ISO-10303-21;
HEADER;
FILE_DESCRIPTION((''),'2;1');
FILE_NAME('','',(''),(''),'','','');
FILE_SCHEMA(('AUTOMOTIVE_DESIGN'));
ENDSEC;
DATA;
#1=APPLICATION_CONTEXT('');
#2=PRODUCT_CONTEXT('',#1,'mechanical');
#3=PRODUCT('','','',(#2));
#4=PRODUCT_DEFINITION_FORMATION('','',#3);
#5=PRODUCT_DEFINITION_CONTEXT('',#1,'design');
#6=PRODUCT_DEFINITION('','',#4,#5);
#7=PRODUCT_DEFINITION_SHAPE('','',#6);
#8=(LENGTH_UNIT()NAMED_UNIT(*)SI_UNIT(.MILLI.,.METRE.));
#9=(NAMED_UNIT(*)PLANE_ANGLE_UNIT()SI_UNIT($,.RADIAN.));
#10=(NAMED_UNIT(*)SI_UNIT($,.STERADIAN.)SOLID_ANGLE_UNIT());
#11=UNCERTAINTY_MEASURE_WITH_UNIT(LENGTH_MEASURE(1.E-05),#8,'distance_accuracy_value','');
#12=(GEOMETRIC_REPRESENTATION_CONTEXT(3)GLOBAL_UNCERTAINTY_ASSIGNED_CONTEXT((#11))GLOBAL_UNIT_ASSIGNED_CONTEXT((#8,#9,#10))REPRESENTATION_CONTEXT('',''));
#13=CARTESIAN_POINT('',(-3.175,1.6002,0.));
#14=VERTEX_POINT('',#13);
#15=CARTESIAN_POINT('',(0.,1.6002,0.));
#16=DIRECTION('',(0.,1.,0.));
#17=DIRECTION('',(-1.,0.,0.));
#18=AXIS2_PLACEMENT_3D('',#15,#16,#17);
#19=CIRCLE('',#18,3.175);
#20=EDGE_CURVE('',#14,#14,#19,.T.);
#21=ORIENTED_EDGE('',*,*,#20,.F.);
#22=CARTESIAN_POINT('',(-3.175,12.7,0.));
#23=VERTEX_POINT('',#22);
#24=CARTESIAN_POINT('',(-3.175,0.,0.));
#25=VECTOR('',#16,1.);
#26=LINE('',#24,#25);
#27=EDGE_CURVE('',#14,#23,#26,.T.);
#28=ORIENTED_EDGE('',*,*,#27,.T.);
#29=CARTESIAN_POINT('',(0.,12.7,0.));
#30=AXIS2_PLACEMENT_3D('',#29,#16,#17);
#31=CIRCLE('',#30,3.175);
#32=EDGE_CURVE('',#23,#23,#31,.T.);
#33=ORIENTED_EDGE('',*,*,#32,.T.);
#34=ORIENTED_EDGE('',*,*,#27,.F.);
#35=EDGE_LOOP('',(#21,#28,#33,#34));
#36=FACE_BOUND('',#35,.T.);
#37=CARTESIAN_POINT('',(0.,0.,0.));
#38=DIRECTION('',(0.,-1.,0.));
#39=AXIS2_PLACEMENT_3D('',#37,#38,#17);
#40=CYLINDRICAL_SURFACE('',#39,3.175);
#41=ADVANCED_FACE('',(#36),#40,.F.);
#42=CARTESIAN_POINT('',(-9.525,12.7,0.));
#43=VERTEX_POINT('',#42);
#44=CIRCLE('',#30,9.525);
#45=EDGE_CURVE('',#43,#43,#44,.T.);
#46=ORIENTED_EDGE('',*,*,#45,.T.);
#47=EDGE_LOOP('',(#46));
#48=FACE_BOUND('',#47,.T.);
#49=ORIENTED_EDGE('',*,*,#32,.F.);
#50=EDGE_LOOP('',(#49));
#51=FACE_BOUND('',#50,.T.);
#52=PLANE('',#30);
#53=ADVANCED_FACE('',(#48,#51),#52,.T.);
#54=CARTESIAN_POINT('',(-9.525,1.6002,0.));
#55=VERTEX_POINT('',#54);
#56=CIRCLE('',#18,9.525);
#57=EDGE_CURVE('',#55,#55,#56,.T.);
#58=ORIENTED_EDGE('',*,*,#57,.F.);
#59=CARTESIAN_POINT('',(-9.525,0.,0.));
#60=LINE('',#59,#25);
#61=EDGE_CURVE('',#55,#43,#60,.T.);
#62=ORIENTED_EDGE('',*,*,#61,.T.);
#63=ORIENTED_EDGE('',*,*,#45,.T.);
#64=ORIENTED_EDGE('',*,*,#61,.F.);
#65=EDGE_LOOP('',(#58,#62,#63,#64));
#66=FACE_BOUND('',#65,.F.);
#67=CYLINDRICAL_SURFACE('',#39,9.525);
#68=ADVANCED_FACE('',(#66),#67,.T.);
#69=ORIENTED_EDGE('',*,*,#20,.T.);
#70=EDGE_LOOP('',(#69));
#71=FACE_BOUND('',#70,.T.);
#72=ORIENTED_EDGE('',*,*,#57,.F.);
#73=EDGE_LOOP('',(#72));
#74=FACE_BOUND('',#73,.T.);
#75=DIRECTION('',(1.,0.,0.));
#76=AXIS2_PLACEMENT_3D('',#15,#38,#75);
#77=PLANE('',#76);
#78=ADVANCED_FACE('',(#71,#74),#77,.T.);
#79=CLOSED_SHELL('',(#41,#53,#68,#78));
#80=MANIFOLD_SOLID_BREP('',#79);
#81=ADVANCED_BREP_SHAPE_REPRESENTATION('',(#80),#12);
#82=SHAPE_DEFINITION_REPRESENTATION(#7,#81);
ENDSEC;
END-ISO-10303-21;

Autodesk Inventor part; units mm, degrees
ref_plane "YZ Plane" through (0, 0, 0) normal (1, 0, 0) x (0, 1, 0)
ref_plane "XZ Plane" through (0, 0, 0) normal (0, 1, 0) x (-1, 0, 0)
ref_plane "XY Plane" through (0, 0, 0) normal (0, 0, 1) x (1, 0, 0)
sketch "Sketch1" plane through (0, 0, 0) normal (0, 1, 0) x (-1, 0, 0)
  circle A0 centre (0, 0) radius 9.525
  circle A1 centre (0, 0) radius 3.175
  dimension "d0" = 19.05
  dimension "d1" = 6.35
extrude "Extrusion1" add sketch "Sketch1" along normal blind 12.7
sketch "Sketch2" plane through (0, 0, 0) normal (0, -1, 0) x (1, 0, 0)
  circle A0 centre (0, 0) radius 3.175 projected
  circle A1 centre (0, 0) radius 9.525
extrude "Extrusion2" cut sketch "Sketch2" against normal blind 1.6002
properties part number "lazy susan bushing"
